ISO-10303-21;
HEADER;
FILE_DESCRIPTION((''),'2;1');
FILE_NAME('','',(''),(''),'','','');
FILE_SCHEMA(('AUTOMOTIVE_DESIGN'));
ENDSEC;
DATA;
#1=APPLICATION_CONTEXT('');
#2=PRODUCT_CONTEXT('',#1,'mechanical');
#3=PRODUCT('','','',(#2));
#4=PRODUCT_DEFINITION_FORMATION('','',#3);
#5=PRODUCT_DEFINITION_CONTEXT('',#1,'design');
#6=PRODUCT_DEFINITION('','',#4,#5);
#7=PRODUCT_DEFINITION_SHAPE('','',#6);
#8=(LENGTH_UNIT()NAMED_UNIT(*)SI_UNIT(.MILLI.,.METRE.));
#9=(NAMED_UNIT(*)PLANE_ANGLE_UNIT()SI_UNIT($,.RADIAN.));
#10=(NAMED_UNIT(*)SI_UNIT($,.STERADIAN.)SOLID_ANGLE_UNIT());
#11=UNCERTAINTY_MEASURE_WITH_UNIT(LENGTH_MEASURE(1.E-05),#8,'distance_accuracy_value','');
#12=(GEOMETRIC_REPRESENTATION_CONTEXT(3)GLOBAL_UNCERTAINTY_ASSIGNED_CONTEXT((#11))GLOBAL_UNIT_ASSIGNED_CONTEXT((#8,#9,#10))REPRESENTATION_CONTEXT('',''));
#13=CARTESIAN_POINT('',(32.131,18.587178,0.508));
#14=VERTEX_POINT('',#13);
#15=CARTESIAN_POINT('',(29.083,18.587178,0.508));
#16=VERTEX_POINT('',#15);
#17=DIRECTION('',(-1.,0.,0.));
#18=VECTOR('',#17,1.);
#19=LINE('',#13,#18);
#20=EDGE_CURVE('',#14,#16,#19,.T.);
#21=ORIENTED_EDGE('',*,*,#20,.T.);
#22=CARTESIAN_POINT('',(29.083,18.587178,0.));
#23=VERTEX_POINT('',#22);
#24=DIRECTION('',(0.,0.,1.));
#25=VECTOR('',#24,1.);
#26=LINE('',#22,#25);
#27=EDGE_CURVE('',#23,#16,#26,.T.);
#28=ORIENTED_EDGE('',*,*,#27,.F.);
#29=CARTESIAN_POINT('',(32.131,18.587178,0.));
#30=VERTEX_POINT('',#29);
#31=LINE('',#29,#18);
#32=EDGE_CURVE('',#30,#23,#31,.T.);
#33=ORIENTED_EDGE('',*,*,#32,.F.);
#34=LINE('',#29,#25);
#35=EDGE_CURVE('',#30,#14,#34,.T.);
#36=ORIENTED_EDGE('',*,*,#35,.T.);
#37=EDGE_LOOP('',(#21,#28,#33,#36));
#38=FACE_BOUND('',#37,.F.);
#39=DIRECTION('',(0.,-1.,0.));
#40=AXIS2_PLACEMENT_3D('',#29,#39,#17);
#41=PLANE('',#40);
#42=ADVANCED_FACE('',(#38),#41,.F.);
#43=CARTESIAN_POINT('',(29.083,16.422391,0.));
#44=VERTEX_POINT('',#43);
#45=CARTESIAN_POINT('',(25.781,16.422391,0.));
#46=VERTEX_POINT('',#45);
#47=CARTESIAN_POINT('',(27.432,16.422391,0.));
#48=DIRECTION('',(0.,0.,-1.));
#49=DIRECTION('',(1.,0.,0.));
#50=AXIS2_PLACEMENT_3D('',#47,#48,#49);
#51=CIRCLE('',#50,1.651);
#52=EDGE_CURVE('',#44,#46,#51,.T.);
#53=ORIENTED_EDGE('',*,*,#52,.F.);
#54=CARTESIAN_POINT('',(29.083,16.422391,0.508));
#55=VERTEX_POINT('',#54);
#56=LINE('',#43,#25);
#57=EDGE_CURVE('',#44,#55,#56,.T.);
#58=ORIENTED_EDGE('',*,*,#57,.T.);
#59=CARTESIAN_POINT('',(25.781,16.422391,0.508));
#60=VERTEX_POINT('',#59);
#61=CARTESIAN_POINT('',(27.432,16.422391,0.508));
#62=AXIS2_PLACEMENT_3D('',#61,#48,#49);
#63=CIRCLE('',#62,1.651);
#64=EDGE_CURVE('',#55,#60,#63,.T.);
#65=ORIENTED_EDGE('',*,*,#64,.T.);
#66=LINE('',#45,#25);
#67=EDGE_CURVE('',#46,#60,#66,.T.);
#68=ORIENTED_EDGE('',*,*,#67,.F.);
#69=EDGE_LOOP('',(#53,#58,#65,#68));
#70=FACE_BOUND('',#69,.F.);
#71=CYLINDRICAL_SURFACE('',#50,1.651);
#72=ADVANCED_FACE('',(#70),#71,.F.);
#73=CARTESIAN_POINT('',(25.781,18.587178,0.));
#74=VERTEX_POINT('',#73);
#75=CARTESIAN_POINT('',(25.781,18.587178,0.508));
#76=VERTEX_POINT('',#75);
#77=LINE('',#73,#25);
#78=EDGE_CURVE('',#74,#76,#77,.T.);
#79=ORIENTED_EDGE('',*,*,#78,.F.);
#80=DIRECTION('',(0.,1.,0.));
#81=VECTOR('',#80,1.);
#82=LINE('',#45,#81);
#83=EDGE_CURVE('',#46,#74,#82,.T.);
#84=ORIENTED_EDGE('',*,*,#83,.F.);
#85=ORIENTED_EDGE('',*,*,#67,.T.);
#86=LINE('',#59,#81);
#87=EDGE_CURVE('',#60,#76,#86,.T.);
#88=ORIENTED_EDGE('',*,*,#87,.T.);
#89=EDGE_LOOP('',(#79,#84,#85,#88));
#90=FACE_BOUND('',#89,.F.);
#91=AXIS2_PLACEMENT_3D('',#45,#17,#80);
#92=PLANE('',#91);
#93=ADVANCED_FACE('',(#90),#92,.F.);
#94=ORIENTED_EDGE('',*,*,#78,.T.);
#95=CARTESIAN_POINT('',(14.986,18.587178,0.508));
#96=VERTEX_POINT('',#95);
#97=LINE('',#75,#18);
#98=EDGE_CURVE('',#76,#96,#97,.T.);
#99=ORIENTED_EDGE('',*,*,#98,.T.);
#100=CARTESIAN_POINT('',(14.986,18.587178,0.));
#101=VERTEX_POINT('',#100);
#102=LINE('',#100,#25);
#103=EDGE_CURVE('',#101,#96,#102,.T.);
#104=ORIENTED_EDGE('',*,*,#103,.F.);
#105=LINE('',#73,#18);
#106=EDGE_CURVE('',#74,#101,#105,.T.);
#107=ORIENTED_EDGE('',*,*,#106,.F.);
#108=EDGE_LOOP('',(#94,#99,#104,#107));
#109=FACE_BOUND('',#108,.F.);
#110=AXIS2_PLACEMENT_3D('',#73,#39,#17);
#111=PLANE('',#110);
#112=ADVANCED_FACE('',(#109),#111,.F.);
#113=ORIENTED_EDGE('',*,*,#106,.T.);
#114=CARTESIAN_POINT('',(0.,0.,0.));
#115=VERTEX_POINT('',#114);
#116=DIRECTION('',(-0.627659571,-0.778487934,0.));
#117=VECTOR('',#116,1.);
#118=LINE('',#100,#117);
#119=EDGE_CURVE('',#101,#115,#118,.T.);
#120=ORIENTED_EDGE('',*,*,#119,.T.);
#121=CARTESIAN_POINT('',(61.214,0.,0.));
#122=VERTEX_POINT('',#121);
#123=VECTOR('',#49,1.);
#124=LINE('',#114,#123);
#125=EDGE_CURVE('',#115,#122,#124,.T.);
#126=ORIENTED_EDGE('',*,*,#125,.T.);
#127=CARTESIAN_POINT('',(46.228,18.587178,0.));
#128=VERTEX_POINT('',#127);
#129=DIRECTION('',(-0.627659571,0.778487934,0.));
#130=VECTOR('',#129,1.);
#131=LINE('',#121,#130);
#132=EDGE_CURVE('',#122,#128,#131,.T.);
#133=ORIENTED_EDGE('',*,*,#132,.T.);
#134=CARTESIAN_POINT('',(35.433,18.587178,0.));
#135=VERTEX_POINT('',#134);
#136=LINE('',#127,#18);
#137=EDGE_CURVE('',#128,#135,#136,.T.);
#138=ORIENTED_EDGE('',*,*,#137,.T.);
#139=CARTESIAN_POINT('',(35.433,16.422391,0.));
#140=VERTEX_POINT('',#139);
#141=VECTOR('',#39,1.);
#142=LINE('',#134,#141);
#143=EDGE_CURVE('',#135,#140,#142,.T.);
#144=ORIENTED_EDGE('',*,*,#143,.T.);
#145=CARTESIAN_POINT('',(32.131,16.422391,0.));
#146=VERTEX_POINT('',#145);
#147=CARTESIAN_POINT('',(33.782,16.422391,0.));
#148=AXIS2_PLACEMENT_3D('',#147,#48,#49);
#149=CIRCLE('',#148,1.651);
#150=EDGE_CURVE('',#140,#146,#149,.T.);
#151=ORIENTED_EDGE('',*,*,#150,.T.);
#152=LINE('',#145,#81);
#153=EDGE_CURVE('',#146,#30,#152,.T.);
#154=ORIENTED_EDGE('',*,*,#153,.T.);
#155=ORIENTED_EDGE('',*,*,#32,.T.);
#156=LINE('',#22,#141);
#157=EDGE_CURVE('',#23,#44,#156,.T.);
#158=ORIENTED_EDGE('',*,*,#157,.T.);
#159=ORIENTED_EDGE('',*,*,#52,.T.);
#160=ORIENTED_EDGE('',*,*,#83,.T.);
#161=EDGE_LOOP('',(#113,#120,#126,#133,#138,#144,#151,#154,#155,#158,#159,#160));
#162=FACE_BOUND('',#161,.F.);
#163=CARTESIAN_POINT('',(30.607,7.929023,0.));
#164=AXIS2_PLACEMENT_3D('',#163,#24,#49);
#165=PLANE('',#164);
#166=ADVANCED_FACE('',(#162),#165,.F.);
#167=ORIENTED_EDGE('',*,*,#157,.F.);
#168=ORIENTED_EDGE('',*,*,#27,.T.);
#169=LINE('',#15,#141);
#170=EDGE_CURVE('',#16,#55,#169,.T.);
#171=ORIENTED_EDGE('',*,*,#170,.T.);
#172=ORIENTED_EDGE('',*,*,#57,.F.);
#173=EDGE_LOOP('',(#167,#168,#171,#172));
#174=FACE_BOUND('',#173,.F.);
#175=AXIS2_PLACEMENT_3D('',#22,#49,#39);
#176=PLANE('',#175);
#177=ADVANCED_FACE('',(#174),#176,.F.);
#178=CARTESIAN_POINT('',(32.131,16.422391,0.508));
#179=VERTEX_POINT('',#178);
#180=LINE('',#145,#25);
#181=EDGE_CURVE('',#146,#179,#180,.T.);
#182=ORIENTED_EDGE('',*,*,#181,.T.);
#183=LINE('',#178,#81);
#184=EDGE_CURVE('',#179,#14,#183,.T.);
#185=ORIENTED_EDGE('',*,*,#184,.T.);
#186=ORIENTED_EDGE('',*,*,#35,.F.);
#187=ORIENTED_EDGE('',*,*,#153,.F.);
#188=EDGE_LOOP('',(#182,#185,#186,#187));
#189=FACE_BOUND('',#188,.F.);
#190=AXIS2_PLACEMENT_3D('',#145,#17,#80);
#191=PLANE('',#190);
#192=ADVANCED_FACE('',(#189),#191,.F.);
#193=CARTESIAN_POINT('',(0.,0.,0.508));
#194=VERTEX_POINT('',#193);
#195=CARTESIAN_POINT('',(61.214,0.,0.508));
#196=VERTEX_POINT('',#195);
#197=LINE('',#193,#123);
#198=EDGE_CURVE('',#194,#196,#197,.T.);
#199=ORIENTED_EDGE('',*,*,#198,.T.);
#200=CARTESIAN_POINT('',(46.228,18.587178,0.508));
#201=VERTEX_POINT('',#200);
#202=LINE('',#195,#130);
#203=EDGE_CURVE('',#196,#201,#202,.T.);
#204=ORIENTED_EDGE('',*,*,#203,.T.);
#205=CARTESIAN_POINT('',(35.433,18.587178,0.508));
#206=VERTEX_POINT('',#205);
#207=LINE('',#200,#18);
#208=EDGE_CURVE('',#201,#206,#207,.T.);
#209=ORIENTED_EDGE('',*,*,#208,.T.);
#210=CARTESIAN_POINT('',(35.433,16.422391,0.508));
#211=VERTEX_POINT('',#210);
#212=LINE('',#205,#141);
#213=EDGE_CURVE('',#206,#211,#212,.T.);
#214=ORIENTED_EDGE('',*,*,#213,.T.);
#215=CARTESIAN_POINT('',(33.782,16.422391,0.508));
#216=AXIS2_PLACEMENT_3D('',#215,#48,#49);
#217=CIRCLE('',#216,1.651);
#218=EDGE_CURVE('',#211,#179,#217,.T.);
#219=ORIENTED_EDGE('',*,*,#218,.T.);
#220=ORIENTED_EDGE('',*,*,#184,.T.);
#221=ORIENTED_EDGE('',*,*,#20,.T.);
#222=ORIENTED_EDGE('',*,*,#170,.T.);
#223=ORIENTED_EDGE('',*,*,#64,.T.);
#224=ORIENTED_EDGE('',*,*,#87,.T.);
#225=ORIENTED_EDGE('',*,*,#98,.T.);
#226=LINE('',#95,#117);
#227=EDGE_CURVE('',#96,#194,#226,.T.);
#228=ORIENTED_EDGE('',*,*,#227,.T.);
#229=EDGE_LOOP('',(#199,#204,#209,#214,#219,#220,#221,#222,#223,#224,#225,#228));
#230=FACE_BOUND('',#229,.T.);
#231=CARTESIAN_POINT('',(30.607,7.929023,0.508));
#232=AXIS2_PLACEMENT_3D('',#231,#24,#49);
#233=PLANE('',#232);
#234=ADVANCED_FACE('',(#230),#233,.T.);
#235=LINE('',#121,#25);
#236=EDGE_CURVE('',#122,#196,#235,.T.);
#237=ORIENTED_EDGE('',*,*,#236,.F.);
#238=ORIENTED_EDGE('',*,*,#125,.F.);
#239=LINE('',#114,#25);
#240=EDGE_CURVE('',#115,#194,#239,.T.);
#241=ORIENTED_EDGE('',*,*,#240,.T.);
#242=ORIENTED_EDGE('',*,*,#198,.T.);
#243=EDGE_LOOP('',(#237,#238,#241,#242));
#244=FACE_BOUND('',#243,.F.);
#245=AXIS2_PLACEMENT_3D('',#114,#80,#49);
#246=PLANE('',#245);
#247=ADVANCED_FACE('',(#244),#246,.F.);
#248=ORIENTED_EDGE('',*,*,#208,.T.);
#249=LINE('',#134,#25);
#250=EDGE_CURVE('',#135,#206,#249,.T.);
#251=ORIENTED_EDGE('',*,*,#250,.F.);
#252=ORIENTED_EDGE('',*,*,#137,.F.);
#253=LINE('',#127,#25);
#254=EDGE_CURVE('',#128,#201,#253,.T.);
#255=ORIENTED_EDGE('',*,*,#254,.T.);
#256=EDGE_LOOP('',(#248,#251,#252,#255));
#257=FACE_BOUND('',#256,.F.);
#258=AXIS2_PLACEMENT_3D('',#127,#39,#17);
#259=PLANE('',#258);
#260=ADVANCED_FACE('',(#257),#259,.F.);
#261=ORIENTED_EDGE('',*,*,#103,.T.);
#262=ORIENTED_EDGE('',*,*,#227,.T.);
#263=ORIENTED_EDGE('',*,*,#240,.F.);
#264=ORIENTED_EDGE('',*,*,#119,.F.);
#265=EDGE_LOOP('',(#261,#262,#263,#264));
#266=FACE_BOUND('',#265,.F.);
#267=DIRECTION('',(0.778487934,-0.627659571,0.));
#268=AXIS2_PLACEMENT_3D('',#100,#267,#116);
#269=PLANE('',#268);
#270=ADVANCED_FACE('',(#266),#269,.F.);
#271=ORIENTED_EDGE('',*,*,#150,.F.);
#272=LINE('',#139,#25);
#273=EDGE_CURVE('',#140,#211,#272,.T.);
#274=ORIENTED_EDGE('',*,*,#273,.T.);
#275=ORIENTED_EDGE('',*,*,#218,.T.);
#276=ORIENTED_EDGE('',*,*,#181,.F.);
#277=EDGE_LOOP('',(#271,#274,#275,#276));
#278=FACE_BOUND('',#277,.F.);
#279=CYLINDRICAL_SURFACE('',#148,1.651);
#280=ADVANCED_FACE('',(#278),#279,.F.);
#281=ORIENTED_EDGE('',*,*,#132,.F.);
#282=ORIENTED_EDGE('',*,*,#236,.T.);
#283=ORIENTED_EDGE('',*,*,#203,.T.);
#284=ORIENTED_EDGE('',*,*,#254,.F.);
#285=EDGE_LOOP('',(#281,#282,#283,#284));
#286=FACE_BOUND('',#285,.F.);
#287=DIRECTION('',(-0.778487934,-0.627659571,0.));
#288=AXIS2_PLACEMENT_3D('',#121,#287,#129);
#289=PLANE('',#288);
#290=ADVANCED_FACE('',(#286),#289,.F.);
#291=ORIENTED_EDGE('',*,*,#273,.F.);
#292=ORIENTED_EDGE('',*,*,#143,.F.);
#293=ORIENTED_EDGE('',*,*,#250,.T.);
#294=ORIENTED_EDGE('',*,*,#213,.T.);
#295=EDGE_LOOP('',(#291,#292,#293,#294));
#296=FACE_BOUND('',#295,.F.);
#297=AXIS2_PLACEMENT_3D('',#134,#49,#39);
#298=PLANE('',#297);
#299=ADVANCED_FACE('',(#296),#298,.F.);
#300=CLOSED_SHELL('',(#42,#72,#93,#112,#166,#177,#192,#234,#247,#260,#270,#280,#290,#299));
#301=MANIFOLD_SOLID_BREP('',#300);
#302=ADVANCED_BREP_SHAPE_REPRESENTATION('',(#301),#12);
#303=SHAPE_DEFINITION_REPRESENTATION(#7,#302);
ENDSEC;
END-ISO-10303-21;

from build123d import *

# Parameters (mm, degrees)
F1_DEPTH = 0.508


with BuildPart() as f1:
    # F0 (on Top) → F1 (new body)
    with BuildSketch(Plane.XY):
        with BuildLine():
            Line((14.986, 18.587178), (0, 0))
            Line((0, 0), (61.214, 0))
            Line((61.214, 0), (46.228, 18.587178))
            Line((46.228, 18.587178), (35.433, 18.587178))
            Line((35.433, 18.587178), (35.433, 16.422391))
            ThreePointArc((35.433, 16.422391), (33.782, 14.771391), (32.131, 16.422391))
            Line((32.131, 16.422391), (32.131, 18.587178))
            Line((32.131, 18.587178), (29.083, 18.587178))
            Line((29.083, 18.587178), (29.083, 16.422391))
            ThreePointArc((29.083, 16.422391), (27.432, 14.771391), (25.781, 16.422391))
            Line((25.781, 16.422391), (25.781, 18.587178))
            Line((25.781, 18.587178), (14.986, 18.587178))
        make_face()
    extrude(amount=F1_DEPTH)


solid = f1.part
